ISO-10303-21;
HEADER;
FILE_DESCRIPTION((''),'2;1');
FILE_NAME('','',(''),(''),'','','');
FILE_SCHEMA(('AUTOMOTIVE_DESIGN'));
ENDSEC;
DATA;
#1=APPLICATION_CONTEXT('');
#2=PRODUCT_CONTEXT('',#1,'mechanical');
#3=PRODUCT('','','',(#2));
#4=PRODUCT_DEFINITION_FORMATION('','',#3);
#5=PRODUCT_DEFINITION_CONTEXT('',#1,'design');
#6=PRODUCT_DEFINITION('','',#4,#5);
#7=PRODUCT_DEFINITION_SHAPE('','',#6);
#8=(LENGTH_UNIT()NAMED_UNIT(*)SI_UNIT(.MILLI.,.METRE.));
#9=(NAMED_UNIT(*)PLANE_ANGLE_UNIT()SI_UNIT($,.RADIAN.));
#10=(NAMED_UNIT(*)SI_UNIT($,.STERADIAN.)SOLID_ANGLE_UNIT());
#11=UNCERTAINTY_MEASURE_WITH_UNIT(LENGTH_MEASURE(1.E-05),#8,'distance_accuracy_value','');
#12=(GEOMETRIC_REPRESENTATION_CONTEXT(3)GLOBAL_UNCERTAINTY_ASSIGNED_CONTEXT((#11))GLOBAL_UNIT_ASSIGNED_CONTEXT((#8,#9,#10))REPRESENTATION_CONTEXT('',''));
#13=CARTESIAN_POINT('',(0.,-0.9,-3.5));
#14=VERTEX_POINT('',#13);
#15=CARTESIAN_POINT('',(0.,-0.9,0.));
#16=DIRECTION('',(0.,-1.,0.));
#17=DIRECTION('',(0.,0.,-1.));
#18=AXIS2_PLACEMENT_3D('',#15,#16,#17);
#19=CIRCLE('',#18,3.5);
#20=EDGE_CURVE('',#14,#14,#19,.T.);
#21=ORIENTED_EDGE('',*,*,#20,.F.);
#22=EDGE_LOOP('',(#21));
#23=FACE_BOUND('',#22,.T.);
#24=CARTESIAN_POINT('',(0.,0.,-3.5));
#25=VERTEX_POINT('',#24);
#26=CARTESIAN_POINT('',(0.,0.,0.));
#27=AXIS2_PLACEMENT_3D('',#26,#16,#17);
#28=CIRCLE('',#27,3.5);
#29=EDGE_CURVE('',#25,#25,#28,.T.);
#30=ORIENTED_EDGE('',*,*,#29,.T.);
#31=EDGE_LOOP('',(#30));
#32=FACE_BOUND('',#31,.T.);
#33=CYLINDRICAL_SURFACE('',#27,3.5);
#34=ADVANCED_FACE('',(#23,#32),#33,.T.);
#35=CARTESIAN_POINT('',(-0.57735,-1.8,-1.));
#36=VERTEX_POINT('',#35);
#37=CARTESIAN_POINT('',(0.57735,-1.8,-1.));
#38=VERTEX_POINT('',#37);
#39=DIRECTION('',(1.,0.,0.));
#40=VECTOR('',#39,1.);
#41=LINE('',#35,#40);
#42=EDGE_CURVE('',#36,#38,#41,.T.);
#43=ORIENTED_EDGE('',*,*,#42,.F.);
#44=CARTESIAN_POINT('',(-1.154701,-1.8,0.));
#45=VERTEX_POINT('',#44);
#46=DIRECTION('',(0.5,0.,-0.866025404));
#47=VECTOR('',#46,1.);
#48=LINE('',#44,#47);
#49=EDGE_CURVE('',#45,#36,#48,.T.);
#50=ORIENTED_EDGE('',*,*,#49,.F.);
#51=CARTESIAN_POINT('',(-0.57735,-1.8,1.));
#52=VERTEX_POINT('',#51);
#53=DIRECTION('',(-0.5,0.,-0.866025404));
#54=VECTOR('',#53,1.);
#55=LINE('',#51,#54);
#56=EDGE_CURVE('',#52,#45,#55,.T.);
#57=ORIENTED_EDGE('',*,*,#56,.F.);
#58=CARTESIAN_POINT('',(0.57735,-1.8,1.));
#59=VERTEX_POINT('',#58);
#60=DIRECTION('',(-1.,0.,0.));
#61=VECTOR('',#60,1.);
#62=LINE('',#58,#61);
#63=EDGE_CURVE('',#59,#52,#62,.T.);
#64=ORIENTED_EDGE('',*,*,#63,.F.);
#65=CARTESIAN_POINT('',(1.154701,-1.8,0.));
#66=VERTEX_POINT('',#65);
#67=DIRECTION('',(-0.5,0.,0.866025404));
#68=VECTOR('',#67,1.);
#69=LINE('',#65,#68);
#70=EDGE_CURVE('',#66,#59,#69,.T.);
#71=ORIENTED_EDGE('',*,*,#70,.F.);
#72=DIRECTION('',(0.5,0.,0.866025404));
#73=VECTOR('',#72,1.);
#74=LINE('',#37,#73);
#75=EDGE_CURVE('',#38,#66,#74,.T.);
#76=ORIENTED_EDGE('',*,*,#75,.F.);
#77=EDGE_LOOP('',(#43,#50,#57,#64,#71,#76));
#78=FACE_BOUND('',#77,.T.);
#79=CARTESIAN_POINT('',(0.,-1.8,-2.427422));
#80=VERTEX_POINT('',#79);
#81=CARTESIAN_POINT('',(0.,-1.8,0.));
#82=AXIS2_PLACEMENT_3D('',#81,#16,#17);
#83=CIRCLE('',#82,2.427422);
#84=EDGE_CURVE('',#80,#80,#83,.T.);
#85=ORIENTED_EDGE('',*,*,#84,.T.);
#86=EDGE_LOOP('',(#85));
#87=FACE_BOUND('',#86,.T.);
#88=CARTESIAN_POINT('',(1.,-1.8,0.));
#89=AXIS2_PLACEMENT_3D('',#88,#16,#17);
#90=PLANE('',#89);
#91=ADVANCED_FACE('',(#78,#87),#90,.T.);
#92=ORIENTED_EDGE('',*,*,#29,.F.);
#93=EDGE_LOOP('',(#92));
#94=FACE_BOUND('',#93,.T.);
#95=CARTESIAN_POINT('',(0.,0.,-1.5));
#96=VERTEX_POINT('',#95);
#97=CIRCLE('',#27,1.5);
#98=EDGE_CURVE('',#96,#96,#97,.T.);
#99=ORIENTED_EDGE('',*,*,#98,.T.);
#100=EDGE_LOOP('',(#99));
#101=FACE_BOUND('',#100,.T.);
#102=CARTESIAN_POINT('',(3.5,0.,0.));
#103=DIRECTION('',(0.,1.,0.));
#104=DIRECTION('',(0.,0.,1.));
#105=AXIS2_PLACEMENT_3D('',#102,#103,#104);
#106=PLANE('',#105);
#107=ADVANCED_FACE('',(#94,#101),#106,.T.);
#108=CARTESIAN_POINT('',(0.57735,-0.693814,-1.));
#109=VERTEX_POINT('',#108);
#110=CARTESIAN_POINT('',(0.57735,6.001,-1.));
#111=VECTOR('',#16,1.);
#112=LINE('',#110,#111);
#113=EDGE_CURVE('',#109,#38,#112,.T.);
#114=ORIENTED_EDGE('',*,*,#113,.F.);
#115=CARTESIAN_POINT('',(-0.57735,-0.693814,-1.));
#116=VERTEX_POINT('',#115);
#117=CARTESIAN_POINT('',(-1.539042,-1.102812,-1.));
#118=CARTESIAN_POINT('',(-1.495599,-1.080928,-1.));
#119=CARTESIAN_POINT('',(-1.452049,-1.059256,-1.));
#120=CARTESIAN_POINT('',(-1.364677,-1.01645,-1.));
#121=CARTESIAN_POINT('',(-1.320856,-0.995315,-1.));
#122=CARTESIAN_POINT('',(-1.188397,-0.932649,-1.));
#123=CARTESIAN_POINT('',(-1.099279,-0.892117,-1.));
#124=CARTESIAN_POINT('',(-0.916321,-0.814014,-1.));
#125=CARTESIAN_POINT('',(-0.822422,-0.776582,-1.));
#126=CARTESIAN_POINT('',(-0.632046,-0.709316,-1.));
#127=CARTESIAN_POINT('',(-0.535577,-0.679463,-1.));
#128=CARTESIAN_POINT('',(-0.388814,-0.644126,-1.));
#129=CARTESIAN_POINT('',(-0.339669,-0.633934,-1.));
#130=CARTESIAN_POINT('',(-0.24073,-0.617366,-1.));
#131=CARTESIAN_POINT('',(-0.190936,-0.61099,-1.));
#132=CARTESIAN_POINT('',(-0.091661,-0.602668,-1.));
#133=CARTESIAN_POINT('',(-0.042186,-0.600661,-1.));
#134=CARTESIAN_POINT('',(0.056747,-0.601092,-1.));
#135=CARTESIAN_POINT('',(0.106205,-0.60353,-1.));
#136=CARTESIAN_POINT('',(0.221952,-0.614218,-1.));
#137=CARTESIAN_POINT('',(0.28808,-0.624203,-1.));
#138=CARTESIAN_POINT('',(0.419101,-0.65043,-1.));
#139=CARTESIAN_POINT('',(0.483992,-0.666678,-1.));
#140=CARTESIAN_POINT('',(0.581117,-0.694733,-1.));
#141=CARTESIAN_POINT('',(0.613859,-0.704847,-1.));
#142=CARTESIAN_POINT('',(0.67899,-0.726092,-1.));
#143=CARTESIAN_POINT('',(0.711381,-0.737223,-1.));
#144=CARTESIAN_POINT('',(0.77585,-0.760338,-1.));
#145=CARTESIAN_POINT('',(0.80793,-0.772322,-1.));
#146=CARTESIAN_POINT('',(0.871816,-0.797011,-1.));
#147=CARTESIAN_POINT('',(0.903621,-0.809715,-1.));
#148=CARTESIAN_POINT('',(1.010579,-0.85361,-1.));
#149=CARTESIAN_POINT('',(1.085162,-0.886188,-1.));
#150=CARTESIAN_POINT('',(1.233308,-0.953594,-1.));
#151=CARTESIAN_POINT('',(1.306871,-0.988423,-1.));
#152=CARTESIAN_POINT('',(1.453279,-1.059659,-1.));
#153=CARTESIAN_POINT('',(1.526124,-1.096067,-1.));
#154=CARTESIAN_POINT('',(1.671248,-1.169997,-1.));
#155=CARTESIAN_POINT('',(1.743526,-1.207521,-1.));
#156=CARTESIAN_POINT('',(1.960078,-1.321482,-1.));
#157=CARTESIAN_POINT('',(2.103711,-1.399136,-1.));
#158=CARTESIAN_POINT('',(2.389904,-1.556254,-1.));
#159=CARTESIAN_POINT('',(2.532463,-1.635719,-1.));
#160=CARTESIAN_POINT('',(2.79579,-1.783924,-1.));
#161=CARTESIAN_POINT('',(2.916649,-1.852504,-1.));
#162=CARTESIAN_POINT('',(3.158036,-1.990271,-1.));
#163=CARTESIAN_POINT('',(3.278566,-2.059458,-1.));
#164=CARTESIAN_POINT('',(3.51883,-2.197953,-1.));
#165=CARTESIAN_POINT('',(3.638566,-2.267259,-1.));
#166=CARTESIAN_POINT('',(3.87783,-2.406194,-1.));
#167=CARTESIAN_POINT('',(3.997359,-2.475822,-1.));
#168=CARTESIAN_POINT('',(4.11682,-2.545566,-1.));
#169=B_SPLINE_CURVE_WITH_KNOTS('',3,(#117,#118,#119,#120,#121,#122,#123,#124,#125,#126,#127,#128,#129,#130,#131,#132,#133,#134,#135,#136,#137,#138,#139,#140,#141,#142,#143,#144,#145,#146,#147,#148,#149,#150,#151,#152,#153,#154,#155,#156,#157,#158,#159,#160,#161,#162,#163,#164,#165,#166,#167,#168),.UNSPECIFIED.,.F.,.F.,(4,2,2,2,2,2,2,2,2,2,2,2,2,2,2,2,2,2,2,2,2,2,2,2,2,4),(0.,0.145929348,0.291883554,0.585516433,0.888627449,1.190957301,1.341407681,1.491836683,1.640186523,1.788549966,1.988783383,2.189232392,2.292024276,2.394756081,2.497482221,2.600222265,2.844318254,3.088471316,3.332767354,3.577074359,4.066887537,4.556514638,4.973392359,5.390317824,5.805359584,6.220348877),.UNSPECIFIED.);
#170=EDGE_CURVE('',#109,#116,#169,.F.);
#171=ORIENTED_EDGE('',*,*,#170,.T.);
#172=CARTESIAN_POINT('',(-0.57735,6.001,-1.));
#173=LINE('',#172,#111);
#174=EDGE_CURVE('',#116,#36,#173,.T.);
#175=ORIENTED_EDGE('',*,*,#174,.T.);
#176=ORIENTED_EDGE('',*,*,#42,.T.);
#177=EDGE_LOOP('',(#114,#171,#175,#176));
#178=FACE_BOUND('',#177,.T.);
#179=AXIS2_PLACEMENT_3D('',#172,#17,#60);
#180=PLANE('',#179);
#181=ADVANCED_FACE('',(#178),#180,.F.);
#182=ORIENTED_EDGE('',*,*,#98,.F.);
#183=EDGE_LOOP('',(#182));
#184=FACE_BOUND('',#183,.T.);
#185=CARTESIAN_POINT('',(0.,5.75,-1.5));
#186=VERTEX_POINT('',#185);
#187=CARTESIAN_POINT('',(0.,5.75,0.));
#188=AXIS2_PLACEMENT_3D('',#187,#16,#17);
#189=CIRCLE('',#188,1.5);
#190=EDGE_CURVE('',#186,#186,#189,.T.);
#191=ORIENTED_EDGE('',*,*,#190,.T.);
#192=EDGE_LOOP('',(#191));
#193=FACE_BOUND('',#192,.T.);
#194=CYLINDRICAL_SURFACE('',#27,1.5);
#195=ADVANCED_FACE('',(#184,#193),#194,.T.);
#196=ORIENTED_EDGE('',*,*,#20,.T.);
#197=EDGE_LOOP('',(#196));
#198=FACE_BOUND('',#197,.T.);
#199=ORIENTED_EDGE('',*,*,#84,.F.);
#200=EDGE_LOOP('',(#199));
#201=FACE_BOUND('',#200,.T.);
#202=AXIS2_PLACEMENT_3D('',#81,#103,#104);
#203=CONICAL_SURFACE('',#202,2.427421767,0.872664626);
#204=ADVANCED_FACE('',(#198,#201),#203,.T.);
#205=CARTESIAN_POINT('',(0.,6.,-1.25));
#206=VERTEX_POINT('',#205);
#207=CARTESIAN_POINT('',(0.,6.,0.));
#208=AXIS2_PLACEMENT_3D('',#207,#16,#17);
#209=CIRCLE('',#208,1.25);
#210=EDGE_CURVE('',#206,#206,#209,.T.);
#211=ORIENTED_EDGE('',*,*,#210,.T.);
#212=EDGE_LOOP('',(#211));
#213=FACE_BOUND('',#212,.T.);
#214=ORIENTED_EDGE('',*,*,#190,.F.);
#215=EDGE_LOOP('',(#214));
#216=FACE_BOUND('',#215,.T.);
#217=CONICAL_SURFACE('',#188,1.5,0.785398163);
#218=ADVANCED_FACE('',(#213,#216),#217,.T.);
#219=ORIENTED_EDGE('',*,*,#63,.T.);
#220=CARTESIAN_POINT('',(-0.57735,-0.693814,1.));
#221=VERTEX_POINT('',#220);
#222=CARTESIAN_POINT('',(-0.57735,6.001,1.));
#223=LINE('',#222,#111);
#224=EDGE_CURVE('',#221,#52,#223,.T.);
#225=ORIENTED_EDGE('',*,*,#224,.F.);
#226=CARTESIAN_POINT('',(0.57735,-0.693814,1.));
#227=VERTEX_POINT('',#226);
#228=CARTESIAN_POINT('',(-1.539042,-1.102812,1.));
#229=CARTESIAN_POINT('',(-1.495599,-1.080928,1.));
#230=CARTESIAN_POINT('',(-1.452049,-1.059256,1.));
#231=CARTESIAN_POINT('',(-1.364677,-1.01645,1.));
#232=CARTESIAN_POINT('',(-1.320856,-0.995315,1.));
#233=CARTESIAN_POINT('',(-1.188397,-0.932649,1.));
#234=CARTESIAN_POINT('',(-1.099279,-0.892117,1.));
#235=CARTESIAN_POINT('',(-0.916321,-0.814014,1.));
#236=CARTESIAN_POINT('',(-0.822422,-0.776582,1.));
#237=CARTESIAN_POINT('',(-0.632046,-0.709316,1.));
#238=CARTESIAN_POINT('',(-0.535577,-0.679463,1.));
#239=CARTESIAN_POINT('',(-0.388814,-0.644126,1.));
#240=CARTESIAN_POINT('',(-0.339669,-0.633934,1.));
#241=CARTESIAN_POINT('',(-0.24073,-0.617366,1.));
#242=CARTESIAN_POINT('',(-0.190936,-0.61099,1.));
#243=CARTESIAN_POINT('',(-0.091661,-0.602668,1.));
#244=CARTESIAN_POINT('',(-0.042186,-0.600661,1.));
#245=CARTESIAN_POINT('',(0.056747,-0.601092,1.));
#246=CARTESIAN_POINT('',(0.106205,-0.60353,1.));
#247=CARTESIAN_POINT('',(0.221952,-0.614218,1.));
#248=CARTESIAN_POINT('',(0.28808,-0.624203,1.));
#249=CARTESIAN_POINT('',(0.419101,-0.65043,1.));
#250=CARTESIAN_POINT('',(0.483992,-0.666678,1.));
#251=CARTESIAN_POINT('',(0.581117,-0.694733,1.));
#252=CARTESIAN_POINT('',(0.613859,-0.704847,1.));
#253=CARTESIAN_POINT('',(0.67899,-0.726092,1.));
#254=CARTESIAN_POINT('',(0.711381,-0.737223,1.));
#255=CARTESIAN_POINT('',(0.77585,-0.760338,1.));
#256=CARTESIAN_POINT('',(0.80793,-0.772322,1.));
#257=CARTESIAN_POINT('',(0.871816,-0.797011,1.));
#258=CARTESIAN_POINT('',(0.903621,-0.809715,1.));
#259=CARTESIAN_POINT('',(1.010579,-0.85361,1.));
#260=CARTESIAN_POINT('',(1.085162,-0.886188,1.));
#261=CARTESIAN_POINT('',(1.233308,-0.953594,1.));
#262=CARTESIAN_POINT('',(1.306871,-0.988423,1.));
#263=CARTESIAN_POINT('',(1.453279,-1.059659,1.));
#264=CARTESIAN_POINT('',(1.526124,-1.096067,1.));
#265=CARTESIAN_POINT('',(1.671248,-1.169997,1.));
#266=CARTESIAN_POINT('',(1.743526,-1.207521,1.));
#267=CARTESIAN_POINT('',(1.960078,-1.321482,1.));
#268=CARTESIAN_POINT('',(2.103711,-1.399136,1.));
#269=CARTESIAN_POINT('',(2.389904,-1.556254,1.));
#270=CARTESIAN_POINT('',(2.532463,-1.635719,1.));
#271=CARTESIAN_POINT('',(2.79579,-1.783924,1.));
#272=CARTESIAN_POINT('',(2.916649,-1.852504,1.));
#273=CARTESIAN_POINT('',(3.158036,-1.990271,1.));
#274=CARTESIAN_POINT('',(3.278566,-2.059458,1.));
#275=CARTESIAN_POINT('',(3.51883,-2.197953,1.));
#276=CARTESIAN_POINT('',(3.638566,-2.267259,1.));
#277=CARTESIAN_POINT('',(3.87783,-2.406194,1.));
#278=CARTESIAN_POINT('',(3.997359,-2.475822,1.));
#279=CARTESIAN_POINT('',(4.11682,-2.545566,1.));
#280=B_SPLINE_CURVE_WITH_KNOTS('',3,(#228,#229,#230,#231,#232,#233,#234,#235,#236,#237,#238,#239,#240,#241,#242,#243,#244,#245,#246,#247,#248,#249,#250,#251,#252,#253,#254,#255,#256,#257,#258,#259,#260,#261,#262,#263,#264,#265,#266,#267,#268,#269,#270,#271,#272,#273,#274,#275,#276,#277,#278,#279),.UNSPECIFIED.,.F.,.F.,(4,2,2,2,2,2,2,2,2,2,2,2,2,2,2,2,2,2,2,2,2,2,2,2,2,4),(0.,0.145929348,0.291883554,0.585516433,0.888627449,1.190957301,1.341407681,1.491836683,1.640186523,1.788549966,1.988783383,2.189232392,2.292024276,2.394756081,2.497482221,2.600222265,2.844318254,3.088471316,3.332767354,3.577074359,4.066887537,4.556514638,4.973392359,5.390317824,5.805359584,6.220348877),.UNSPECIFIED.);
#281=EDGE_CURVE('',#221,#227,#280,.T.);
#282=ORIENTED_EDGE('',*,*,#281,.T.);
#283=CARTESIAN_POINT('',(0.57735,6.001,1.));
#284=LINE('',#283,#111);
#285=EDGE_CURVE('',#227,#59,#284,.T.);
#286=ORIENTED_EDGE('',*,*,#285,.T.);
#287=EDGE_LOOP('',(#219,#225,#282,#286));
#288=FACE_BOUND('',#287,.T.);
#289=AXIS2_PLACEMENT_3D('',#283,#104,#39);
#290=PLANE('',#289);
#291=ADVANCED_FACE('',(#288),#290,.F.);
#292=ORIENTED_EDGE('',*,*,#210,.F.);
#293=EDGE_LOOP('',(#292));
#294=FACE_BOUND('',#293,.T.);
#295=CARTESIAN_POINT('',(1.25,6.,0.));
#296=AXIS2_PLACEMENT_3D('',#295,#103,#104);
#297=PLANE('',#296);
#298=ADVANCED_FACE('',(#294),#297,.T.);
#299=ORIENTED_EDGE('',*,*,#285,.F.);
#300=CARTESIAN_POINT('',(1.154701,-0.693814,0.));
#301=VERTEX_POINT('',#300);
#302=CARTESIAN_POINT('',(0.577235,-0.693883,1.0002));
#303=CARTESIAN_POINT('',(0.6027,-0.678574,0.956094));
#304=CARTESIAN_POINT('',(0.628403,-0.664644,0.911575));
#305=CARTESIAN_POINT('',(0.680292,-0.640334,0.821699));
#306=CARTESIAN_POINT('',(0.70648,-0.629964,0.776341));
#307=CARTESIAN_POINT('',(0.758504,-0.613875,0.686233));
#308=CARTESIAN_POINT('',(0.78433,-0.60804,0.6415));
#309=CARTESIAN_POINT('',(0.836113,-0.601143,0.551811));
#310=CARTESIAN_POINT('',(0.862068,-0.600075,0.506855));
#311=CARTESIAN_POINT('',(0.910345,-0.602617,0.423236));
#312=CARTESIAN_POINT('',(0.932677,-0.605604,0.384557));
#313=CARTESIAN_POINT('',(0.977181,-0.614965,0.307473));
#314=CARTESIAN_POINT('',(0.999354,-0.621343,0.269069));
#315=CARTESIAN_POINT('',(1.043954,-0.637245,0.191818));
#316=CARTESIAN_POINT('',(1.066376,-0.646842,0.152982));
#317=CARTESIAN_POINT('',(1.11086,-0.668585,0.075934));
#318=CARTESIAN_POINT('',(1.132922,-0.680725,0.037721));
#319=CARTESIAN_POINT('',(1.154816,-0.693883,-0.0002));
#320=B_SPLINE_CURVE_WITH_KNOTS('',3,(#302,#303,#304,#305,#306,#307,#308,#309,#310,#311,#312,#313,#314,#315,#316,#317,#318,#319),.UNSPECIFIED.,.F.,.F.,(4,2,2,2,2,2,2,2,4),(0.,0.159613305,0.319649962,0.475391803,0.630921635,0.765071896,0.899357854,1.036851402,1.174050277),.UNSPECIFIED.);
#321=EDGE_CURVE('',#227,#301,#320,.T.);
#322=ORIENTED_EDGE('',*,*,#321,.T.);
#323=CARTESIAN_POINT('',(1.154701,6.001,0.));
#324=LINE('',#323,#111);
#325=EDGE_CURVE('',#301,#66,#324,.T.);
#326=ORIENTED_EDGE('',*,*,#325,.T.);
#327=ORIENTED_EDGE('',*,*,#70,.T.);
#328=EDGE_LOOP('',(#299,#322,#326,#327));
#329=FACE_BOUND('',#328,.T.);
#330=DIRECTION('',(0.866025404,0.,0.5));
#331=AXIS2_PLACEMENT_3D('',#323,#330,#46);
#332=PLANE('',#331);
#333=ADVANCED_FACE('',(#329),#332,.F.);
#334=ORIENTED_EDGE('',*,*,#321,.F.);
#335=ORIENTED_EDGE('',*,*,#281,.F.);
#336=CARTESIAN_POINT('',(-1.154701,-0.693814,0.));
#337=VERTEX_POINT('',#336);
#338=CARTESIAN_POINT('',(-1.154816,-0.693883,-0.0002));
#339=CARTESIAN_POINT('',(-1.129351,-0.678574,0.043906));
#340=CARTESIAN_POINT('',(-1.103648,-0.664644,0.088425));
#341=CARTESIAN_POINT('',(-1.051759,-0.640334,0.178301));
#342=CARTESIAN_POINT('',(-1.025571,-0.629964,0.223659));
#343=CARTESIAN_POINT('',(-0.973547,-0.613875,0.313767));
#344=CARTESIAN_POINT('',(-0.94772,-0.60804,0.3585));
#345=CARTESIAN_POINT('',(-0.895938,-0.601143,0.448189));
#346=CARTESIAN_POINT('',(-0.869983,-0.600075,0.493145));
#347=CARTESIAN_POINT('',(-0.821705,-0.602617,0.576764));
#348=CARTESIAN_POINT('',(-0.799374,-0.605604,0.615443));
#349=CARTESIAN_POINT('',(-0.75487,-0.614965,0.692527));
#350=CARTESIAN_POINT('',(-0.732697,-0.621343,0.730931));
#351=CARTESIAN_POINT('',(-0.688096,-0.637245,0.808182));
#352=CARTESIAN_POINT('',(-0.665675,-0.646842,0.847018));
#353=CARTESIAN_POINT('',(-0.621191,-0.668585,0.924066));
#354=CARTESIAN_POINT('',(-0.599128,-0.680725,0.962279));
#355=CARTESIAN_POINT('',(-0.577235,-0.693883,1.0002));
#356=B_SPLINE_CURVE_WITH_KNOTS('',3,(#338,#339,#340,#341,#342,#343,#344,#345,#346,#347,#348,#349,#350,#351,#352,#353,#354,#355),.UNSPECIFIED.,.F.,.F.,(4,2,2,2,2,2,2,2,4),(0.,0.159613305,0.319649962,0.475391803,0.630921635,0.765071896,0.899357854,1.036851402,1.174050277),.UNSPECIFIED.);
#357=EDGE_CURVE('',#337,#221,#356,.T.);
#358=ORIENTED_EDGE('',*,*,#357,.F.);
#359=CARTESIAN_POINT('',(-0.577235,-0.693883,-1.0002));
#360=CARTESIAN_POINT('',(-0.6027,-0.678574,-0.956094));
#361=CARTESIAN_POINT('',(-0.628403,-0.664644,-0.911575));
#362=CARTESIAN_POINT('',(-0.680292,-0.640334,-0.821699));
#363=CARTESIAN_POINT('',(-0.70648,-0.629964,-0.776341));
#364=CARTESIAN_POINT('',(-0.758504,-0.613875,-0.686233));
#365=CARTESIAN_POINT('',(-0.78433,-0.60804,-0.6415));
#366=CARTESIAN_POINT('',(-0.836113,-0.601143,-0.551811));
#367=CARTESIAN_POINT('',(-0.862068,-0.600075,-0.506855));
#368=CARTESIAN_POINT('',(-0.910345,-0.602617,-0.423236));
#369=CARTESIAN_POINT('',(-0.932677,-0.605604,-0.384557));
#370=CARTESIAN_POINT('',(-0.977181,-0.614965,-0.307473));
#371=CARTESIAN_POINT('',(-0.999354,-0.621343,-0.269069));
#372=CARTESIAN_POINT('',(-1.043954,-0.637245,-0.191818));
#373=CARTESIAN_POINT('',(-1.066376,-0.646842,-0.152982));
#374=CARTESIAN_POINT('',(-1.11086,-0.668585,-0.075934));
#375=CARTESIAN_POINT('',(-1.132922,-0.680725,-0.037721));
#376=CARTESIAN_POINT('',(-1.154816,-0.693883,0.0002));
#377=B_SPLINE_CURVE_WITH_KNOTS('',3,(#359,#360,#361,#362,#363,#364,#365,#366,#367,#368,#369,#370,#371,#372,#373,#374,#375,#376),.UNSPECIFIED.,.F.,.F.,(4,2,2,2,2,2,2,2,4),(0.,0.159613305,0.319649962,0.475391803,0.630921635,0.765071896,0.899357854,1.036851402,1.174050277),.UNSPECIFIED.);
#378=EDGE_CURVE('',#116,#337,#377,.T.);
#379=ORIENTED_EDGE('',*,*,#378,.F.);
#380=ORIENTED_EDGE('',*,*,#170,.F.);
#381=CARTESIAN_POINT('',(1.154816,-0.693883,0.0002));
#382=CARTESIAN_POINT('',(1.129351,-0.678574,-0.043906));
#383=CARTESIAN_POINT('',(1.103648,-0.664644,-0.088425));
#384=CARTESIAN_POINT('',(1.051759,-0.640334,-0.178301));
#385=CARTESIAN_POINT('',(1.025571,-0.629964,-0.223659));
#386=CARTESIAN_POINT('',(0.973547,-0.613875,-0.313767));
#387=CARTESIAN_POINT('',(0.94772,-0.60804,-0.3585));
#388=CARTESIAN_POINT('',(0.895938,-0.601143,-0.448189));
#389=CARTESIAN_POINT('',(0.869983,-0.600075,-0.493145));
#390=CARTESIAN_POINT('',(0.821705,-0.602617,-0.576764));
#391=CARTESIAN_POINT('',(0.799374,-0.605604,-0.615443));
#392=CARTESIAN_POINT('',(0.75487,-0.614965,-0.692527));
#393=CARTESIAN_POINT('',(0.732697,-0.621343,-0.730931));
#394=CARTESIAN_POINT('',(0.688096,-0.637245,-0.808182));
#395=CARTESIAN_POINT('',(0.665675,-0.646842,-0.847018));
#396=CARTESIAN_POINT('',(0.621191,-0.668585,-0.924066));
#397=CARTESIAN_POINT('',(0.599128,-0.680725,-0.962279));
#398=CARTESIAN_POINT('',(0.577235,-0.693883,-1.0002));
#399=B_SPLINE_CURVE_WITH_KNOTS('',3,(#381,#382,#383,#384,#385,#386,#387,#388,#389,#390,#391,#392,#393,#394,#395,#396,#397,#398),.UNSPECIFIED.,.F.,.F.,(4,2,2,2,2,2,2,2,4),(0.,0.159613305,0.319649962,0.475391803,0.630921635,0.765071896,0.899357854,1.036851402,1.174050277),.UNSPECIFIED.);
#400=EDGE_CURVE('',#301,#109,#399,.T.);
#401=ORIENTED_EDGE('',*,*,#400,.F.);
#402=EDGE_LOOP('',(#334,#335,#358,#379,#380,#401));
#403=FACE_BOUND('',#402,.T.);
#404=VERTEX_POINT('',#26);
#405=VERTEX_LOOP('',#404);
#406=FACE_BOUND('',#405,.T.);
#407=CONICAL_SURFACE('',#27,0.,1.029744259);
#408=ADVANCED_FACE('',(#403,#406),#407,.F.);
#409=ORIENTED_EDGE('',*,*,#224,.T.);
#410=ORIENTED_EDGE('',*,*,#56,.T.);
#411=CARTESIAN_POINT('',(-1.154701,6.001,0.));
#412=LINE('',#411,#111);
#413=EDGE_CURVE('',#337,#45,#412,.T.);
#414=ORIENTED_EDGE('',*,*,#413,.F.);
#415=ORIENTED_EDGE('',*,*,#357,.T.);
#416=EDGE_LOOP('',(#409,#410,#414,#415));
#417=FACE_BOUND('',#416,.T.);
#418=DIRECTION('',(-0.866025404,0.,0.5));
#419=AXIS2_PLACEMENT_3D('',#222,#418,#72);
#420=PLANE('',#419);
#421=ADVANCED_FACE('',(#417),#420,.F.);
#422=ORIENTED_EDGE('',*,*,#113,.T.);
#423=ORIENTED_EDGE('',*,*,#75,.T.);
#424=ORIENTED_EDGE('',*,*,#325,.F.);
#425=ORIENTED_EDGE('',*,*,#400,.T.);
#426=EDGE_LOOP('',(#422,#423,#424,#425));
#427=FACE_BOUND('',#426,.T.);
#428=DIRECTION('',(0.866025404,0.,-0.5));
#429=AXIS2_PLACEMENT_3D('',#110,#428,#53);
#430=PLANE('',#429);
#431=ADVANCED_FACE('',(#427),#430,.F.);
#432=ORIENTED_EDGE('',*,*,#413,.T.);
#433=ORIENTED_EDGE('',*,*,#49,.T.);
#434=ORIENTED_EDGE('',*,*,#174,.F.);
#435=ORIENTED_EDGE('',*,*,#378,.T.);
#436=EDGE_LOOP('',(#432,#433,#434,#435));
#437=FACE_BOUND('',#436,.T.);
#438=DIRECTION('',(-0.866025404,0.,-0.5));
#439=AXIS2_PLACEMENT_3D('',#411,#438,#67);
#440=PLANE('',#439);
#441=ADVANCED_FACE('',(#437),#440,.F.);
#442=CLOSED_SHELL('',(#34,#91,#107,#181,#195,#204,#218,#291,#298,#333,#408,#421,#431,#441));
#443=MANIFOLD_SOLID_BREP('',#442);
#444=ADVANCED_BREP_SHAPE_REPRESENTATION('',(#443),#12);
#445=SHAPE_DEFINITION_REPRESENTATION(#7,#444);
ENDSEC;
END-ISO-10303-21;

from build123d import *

# Parameters (mm, degrees)
CUT_EXTRUDE_1_REACH = 11.238


with BuildPart() as part:
    # 草图1 → 旋转1 (revolve)
    with BuildSketch(Plane.XY, mode=Mode.PRIVATE) as revolve_1_sk:
        Polygon((1.5, 0), (1.5, 5.75), (1.25, 6), (0, 6), (0, 0), (1, -0.600860619), (1, -1.8), (2.427421767, -1.8), (3.5, -0.9), (3.5, 0), align=None)
    revolve(revolve_1_sk.sketch.rotate(Axis((0, 0, 0), (0, 1, 0)), 90), axis=Axis((0, 0, 0), (0, 1, 0)))

    # 切除-拉伸1: up to this cone (the profile starts inside it)
    cut_extrude_1_end = Plane(origin=(0, -1.8, 0), z_dir=(0, -1, 0)).offset(-1.799999) * Cone(1.664e-06, 27.516702784, 16.533702068, align=(Align.CENTER, Align.CENTER, Align.MIN), mode=Mode.PRIVATE)
    # 草图2 → 切除-拉伸1 (cut, up to the surface)
    with BuildSketch(Plane.XZ.offset(1.8), mode=Mode.PRIVATE) as cut_extrude_1_sk1:
        Polygon((1.154700538, 0), (0.577350269, 1), (-0.577350269, 1), (-1.154700538, 0), (-0.577350269, -1), (0.577350269, -1), align=None)
    cut_extrude_1_tool1 = extrude(cut_extrude_1_sk1.sketch, amount=-CUT_EXTRUDE_1_REACH, mode=Mode.PRIVATE) & cut_extrude_1_end
    add(cut_extrude_1_tool1.solids().sort_by_distance((0, -1.8, 0))[0], mode=Mode.SUBTRACT)


solid = part.part
